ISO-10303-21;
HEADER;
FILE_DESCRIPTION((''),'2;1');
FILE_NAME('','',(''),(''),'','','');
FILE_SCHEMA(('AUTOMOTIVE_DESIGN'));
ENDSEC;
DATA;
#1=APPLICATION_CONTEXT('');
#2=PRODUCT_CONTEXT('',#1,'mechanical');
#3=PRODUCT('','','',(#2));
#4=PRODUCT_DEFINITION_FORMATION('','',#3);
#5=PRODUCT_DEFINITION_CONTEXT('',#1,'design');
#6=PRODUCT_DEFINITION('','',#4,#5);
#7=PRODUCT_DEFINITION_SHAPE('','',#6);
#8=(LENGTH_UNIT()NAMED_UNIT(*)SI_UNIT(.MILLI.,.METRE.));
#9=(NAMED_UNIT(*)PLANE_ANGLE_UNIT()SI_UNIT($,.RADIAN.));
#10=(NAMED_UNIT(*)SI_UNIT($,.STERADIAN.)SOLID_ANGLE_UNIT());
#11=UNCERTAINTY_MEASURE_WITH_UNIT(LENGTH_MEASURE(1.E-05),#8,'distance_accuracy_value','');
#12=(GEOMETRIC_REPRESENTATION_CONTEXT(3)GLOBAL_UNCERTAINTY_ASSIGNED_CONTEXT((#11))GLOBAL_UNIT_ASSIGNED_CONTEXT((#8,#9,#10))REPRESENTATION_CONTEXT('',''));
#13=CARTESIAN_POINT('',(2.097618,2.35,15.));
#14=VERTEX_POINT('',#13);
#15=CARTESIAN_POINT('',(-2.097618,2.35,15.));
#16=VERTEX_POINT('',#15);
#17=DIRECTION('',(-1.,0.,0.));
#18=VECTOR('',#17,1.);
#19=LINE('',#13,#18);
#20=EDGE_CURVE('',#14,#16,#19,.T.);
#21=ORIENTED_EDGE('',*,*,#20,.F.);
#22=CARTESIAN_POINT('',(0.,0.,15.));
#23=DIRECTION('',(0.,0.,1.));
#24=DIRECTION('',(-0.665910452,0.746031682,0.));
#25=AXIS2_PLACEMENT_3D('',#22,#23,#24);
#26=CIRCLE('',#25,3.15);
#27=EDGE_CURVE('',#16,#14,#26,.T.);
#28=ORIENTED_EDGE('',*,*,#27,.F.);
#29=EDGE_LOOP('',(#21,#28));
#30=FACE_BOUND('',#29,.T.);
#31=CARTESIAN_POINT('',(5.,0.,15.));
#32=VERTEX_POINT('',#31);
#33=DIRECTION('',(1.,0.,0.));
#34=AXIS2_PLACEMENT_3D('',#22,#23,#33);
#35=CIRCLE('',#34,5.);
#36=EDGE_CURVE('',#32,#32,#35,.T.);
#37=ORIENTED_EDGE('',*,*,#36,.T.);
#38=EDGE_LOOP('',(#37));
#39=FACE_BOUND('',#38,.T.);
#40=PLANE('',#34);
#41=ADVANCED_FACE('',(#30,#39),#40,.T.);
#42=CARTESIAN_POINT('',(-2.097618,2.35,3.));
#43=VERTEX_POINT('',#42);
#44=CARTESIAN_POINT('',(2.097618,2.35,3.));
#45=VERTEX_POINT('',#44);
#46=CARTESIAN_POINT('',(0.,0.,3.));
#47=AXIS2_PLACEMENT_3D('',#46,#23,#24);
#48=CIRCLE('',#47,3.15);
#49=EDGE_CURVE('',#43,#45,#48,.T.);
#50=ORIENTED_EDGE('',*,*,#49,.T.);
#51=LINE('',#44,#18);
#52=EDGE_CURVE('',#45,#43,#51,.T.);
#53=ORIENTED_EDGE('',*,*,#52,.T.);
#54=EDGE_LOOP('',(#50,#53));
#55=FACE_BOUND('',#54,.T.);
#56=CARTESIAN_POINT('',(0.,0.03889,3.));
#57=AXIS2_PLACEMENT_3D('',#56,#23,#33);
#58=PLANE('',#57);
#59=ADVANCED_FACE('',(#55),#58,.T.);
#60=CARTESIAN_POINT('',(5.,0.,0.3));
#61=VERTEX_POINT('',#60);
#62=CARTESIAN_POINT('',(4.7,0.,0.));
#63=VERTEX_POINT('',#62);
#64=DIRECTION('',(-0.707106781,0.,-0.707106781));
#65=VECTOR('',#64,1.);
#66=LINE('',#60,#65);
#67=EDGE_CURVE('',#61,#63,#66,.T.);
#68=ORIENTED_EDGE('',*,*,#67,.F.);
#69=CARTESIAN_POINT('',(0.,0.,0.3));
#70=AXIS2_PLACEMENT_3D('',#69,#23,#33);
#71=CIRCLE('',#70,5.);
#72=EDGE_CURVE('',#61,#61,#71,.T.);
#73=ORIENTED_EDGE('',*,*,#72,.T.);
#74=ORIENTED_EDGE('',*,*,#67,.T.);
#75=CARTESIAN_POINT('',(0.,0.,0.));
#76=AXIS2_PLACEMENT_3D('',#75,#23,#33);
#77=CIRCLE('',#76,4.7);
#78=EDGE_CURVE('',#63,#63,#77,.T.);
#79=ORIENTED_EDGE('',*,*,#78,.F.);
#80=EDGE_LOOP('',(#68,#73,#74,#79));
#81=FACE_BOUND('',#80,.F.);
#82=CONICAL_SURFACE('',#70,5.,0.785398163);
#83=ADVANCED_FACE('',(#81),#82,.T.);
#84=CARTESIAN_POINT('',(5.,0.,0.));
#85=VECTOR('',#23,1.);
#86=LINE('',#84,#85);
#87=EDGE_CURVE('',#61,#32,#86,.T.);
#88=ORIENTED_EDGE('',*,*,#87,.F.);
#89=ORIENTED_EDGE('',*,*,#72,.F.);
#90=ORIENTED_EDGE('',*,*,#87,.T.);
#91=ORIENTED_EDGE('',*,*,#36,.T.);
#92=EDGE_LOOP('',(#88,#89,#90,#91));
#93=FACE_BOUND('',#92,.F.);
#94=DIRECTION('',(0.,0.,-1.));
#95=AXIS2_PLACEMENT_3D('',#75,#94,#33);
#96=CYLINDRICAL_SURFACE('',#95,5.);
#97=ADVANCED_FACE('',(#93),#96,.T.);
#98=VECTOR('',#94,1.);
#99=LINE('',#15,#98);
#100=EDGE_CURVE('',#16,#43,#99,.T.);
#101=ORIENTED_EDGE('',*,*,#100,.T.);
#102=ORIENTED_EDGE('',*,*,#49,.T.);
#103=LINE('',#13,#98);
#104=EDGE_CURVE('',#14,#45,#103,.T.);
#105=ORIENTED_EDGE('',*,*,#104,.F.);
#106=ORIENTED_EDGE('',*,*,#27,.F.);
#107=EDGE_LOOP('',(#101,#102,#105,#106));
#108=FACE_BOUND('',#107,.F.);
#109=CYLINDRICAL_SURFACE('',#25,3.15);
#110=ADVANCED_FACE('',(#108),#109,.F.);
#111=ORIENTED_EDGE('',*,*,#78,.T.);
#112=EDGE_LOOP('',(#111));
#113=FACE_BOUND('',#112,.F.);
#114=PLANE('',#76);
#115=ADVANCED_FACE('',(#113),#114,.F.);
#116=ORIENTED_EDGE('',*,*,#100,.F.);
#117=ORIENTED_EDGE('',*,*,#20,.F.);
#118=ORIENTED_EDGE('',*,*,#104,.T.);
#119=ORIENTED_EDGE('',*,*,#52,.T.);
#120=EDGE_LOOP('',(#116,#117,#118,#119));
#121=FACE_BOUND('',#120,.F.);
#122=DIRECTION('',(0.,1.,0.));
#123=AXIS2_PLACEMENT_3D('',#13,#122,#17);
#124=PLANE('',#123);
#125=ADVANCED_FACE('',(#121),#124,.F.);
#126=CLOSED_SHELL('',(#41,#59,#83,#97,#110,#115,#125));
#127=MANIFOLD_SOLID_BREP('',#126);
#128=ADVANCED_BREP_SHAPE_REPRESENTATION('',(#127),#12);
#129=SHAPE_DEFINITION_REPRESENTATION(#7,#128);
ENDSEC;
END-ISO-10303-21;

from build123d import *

# Parameters (mm, degrees)
F0_R     = 5
F1_DEPTH = 15
F3_DEPTH = 12
F4_SIZE  = 0.3


with BuildPart() as f1:
    # F0 (on Top) → F1 (new body)
    with BuildSketch(Plane.XY):
        Circle(F0_R)
    extrude(amount=F1_DEPTH)

    # F2 (on face) → F3 (cut)
    with BuildSketch(Plane.XY.offset(15)):
        with BuildLine():
            Line((2.097618, 2.35), (-2.097618, 2.35))
            ThreePointArc((-2.097618, 2.35), (0, -3.15), (2.097618, 2.35))
        make_face()
    extrude(amount=-F3_DEPTH, mode=Mode.SUBTRACT)

    # F4
    f4_edges = [f1.edges().sort_by_distance(p)[0] for p in [
        (-5, 0, 0),
    ]]
    chamfer(f4_edges, length=F4_SIZE)


solid = f1.part
